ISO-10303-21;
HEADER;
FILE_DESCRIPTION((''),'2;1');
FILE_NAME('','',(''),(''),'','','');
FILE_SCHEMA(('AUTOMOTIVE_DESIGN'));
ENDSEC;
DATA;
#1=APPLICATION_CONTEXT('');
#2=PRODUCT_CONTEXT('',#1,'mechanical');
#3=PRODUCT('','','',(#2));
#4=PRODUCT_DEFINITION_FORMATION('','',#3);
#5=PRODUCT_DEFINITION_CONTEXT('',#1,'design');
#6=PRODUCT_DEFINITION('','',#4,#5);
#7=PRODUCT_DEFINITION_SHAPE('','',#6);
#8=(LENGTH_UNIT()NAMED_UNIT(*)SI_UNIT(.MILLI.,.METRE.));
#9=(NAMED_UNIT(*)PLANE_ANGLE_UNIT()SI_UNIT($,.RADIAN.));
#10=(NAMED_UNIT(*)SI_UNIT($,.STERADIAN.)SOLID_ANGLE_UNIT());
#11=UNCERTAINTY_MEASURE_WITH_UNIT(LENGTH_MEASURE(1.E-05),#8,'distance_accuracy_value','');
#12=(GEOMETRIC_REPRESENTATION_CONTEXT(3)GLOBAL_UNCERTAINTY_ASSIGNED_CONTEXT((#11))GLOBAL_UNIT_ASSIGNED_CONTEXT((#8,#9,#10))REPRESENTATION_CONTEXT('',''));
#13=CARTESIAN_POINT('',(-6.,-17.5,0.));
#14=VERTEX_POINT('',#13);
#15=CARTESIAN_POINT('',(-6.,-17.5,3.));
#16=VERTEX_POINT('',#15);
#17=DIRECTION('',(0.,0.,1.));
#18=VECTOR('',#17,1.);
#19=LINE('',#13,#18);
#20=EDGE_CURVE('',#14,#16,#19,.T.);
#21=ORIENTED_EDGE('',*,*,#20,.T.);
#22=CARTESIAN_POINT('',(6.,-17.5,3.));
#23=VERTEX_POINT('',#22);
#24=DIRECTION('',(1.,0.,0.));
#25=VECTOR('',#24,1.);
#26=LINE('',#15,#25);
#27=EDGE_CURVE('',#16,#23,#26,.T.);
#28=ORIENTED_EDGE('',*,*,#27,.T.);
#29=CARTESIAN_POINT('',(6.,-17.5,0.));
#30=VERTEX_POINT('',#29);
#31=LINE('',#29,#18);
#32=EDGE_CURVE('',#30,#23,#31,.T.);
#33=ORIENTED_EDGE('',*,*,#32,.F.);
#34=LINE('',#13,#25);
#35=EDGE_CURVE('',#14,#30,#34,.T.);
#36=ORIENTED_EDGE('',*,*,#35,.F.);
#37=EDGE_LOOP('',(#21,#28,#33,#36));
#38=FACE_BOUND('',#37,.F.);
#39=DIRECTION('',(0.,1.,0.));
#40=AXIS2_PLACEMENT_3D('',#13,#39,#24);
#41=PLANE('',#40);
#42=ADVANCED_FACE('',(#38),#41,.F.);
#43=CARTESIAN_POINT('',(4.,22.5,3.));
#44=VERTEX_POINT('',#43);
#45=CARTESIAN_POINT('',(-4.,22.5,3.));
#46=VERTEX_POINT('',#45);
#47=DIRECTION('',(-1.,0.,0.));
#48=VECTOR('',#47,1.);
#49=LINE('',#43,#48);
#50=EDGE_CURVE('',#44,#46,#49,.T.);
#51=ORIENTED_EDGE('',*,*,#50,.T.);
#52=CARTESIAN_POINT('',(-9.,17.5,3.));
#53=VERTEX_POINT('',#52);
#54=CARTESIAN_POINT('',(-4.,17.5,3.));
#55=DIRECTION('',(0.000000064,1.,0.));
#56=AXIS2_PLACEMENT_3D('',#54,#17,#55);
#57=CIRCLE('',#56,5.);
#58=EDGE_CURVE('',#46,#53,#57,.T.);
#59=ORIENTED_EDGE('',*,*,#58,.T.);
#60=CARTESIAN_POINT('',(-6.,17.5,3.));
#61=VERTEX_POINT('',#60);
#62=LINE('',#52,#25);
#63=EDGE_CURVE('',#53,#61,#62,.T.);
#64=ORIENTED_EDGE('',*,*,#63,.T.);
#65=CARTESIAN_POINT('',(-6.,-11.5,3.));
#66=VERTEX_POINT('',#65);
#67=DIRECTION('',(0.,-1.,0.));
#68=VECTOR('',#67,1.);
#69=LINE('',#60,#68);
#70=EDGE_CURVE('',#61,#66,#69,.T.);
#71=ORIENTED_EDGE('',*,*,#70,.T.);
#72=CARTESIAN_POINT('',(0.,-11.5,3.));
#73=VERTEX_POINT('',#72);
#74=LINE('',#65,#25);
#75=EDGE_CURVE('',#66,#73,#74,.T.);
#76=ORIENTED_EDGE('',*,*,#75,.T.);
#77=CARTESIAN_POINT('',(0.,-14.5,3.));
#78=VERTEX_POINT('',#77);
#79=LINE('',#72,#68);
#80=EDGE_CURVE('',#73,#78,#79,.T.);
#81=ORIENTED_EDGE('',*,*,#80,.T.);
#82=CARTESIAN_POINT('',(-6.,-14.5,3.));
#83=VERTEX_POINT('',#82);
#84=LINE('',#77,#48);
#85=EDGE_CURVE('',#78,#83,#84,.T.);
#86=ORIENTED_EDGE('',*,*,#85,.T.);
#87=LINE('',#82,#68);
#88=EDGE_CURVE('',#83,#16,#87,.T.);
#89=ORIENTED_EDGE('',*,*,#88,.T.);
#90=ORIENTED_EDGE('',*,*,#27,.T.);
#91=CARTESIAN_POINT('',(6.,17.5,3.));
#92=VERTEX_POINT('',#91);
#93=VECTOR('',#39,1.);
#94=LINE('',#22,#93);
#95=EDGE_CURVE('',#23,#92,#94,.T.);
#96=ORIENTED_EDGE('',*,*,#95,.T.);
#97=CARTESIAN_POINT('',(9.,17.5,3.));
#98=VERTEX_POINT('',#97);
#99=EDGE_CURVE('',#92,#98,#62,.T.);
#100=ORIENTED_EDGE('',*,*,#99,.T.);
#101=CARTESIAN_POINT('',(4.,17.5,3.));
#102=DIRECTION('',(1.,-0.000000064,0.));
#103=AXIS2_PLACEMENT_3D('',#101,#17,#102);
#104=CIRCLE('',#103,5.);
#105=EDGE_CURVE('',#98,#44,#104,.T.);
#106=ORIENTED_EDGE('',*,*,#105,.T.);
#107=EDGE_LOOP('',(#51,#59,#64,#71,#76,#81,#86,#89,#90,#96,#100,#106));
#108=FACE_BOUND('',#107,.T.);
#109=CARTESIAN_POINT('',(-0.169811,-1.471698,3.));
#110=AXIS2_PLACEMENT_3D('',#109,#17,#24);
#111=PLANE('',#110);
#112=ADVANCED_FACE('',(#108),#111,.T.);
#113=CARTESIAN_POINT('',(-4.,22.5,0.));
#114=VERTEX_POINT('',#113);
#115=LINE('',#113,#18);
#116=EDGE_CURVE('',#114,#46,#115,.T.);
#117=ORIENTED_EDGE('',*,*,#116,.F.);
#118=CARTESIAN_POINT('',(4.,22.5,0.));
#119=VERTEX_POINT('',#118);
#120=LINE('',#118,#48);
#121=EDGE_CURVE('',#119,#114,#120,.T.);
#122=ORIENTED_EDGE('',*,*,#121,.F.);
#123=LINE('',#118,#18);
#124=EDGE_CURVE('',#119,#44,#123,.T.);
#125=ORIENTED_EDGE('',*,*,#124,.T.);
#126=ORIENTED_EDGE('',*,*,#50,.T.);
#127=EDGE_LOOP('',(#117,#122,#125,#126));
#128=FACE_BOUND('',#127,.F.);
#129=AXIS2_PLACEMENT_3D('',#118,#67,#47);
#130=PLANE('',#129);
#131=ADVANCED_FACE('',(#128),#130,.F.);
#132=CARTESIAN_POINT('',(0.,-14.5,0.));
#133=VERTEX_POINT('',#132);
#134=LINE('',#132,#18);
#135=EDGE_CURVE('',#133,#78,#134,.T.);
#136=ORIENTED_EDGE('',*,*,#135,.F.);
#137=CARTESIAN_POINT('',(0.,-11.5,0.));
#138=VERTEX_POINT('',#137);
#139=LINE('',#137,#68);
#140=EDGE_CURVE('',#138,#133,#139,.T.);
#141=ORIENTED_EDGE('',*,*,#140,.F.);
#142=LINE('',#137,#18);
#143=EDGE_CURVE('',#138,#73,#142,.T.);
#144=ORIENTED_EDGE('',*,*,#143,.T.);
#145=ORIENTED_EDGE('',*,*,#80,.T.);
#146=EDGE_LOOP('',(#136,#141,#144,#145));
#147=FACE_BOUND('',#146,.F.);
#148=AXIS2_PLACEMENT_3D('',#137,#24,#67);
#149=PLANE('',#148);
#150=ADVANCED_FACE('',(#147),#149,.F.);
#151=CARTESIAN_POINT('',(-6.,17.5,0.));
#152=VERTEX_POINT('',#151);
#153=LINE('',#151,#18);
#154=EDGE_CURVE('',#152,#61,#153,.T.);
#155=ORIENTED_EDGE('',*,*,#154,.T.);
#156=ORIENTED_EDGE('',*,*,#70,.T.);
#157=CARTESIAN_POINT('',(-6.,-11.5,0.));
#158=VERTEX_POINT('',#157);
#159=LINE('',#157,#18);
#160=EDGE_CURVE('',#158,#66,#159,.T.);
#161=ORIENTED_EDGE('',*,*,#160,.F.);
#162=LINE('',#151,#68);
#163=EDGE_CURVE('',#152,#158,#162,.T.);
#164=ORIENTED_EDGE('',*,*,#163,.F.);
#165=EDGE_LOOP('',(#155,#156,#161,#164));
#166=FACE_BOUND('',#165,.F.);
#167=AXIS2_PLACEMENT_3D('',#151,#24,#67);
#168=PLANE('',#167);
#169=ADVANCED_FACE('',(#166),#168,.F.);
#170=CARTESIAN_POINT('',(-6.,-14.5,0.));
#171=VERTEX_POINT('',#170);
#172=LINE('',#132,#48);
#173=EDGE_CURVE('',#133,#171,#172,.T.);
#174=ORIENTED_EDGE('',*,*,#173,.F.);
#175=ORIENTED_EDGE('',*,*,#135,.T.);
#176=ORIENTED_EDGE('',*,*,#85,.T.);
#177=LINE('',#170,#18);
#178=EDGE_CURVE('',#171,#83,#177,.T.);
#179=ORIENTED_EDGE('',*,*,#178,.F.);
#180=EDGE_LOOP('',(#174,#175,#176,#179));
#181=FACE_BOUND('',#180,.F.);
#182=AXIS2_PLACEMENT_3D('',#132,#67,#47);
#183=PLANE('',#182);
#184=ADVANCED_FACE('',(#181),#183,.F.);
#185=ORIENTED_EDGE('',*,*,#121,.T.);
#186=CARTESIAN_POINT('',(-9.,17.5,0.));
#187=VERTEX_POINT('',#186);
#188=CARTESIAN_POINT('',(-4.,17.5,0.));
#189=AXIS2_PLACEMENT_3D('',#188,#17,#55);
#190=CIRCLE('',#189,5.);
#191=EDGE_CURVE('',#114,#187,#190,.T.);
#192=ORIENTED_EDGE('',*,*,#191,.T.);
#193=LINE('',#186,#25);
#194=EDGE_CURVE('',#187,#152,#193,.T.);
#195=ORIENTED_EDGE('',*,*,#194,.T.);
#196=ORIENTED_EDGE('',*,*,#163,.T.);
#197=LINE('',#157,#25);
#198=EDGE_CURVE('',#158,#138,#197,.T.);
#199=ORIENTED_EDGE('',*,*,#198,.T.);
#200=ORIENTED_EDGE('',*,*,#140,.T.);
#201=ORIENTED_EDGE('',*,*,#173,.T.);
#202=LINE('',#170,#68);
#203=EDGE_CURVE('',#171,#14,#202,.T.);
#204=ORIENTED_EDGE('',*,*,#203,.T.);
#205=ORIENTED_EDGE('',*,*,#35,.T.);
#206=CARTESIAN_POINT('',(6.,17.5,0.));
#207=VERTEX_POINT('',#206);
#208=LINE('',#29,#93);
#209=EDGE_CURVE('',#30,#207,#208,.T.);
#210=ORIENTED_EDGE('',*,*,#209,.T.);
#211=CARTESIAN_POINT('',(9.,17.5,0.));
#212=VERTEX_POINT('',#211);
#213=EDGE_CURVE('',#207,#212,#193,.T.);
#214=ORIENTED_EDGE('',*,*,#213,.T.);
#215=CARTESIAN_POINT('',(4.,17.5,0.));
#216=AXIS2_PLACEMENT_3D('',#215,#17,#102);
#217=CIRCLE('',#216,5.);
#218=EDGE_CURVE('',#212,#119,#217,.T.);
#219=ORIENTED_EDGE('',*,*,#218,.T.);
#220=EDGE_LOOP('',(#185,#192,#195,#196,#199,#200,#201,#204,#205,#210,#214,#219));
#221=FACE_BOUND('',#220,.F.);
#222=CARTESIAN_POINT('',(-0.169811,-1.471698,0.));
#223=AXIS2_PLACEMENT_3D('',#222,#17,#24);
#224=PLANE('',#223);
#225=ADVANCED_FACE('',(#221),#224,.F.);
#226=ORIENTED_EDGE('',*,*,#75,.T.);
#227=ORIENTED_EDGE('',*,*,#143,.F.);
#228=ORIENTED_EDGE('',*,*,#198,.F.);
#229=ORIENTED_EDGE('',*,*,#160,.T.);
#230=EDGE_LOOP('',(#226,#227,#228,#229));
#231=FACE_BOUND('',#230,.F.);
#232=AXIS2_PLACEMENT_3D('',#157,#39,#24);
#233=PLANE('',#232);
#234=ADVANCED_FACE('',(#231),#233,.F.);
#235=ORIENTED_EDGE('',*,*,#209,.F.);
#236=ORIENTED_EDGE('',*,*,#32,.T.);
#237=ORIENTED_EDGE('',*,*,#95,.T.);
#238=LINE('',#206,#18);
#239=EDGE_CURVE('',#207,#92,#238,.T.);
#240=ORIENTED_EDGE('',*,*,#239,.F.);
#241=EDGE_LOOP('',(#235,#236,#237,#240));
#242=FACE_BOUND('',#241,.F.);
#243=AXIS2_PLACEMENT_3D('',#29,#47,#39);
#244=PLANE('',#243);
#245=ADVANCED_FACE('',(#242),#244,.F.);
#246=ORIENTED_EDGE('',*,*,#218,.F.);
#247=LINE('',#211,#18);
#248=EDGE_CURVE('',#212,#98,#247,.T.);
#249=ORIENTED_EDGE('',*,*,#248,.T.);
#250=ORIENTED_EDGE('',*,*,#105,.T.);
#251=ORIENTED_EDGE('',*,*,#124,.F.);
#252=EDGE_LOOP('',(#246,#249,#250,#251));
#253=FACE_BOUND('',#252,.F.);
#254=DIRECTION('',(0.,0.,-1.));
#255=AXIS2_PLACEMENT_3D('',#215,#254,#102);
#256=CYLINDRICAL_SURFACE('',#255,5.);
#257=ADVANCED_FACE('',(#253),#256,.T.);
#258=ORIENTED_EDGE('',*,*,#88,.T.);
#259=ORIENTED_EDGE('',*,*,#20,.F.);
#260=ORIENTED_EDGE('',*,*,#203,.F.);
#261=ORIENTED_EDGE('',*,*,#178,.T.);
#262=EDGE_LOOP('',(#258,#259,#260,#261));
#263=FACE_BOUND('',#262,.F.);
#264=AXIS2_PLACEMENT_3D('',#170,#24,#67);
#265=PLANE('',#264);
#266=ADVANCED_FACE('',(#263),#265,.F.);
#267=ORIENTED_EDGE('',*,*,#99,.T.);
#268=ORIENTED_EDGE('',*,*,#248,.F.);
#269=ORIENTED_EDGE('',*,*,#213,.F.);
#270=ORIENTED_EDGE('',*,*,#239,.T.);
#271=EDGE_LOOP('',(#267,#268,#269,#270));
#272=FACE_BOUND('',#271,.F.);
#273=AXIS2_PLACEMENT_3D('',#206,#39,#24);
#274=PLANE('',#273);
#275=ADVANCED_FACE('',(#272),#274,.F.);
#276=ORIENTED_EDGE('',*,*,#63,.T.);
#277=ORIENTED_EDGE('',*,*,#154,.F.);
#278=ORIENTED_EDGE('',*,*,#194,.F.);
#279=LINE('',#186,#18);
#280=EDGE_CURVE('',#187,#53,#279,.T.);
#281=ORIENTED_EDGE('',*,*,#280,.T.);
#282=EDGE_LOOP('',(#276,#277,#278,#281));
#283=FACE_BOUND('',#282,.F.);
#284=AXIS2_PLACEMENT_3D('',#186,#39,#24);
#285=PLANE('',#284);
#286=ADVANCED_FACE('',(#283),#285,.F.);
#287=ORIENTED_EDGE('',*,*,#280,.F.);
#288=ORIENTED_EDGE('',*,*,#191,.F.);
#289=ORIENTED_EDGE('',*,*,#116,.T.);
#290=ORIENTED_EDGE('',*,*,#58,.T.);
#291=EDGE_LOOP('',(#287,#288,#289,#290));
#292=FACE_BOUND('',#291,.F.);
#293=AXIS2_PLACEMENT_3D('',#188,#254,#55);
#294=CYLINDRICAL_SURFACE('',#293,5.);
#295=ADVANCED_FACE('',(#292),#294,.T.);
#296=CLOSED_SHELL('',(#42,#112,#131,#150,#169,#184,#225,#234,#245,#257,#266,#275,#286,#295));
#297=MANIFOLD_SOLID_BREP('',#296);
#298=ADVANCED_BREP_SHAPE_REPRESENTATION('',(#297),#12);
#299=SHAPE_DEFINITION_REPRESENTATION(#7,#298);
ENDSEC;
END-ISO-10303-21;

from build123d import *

# Parameters (mm, degrees)
F1_DEPTH = 3


with BuildPart() as f1:
    # F0 (on Top) → F1 (new body)
    with BuildSketch(Plane.XY):
        Polygon((6, 17.5), (-6, 17.5), (-6, -11.5), (0, -11.5), (0, -14.5), (-6, -14.5), (-6, -17.5), (6, -17.5), align=None)
        with BuildLine():
            Line((-9, 17.5), (-6, 17.5))
            Line((-6, 17.5), (6, 17.5))
            Line((6, 17.5), (9, 17.5))
            ThreePointArc((9, 17.5), (7.535534, 21.035534), (4, 22.5))
            Line((4, 22.5), (-4, 22.5))
            ThreePointArc((-4, 22.5), (-7.535534, 21.035534), (-9, 17.5))
        make_face()
    extrude(amount=F1_DEPTH)


solid = f1.part
